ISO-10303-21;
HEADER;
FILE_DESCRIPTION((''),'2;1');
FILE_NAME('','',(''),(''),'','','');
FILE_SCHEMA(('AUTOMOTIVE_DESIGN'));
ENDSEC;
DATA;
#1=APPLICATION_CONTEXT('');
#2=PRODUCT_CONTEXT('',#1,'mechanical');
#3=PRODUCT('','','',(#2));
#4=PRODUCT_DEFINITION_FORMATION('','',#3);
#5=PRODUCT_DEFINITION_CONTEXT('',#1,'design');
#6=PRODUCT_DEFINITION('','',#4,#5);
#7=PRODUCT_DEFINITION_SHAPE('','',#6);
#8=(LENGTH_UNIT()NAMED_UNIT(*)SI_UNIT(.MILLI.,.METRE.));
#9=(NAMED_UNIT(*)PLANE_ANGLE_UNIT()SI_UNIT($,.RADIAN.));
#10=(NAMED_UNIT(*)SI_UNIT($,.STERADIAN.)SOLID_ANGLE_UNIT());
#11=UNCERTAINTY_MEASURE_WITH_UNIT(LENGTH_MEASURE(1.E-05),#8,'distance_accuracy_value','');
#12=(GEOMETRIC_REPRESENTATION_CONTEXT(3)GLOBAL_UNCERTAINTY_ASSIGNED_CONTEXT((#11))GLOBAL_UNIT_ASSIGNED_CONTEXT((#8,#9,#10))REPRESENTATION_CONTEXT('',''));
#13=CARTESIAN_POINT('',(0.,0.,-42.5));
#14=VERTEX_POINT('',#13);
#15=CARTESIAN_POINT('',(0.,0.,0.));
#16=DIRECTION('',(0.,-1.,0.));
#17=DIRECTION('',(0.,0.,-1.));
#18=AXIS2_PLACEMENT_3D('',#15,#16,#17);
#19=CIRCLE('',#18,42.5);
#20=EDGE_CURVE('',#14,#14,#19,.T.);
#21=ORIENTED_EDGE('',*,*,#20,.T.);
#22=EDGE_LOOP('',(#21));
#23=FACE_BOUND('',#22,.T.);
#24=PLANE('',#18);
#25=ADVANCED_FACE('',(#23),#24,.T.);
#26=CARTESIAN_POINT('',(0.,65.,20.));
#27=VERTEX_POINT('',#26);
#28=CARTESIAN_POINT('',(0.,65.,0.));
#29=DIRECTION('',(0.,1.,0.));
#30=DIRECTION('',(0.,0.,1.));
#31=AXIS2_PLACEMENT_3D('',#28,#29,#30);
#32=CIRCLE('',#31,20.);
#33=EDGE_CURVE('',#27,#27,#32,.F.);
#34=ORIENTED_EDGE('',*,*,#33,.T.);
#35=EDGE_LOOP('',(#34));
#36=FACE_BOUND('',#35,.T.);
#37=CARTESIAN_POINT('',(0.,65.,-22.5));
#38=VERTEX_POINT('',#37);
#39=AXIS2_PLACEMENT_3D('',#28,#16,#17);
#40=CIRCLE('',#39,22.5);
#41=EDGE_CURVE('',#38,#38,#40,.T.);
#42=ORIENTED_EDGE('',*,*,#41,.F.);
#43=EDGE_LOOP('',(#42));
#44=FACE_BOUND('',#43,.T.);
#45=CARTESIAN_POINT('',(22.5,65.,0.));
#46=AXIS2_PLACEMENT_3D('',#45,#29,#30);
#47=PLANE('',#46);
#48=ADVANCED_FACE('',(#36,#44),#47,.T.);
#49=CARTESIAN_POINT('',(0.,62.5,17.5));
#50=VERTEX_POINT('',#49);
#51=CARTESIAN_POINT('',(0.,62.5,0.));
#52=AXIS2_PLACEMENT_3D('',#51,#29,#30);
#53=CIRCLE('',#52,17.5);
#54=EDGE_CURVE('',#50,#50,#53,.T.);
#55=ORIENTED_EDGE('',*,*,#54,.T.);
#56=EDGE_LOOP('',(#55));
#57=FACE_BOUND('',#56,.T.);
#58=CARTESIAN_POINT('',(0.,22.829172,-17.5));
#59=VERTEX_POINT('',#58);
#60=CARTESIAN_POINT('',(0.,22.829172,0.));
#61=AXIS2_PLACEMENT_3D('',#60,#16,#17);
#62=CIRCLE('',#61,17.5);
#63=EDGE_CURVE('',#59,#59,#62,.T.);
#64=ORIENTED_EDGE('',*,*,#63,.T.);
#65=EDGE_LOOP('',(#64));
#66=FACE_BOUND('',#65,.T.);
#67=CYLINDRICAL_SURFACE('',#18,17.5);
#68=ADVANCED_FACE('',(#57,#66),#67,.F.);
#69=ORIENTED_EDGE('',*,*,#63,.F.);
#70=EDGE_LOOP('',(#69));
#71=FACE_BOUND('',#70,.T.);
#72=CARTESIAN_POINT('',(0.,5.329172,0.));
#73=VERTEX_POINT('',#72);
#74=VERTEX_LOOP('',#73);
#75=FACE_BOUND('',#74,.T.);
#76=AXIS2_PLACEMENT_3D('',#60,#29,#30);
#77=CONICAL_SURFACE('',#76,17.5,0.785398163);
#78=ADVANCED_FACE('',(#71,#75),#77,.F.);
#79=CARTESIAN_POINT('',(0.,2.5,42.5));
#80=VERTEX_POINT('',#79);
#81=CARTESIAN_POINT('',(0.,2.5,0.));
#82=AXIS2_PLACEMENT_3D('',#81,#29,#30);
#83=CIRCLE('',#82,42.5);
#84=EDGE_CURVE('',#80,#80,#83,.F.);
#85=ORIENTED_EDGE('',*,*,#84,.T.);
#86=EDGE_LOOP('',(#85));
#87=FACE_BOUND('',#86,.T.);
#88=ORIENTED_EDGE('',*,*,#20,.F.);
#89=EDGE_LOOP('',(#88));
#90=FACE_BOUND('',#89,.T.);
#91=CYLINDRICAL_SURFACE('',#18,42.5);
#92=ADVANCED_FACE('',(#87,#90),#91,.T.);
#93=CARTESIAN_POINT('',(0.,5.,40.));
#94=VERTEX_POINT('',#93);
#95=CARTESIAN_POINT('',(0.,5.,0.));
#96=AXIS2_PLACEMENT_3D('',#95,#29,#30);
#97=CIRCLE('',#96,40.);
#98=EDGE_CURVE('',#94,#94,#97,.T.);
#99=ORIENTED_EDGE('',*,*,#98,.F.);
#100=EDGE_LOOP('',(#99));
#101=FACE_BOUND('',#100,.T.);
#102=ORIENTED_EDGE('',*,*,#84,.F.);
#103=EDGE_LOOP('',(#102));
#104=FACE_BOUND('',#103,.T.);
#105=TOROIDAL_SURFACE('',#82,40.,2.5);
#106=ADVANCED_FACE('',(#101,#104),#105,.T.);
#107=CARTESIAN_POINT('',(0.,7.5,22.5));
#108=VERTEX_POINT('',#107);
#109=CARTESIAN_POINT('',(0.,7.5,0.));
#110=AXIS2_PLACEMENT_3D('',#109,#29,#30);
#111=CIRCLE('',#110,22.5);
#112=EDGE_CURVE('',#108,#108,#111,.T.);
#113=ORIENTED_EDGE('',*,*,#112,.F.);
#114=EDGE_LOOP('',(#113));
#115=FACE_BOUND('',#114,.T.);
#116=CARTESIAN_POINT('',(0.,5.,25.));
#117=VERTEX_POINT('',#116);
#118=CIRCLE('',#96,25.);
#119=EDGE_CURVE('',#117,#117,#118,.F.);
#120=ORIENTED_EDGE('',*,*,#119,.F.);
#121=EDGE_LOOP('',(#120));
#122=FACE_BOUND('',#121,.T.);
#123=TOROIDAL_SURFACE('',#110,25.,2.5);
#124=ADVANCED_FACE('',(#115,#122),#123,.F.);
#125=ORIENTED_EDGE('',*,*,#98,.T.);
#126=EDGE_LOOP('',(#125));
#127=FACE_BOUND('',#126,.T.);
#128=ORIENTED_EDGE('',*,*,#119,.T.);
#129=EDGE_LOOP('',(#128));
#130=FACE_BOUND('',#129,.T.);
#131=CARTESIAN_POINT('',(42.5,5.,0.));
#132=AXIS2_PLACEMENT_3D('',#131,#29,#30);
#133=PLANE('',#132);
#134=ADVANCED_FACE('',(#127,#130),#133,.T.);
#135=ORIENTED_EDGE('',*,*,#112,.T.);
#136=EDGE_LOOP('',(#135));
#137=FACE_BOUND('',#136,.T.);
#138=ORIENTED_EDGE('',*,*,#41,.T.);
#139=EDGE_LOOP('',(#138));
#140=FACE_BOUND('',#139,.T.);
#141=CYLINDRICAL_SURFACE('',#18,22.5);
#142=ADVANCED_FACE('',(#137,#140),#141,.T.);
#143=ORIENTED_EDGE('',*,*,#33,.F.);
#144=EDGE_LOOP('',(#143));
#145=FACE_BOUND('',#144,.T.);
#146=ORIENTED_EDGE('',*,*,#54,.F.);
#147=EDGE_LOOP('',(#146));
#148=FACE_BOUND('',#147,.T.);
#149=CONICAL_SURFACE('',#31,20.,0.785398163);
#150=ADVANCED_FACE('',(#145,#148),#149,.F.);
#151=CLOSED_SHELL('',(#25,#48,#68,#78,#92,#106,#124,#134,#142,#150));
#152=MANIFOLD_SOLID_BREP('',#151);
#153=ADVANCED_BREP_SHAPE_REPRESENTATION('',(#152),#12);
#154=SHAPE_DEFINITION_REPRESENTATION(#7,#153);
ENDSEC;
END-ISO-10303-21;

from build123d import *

# Parameters (mm, degrees)
FILLET1_R     = 2.5
CHAMFER2_SIZE = 2.5


with BuildPart() as part:
    # Sketch1 → Revolve1 (revolve)
    with BuildSketch(Plane.XY, mode=Mode.PRIVATE) as revolve1_sk:
        Polygon((0, 0), (42.5, 0), (42.5, 5), (22.5, 5), (22.5, 5.29877748), (22.5, 65), (17.5, 65), (17.5, 22.82917197), (0, 5.32917197), align=None)
    revolve(revolve1_sk.sketch.rotate(Axis((0, 0, 0), (0, 1, 0)), 90), axis=Axis((0, 0, 0), (0, 1, 0)))

    # Fillet1
    fillet1_edges = [part.edges().sort_by_distance(p)[0] for p in [
        (0, 5, 42.5),
        (0, 5, 22.5),
    ]]
    fillet(fillet1_edges, radius=FILLET1_R)

    # Chamfer2
    chamfer2_edges = [part.edges().sort_by_distance(p)[0] for p in [
        (0, 65, 17.5),
    ]]
    chamfer(chamfer2_edges, length=CHAMFER2_SIZE)


solid = part.part
